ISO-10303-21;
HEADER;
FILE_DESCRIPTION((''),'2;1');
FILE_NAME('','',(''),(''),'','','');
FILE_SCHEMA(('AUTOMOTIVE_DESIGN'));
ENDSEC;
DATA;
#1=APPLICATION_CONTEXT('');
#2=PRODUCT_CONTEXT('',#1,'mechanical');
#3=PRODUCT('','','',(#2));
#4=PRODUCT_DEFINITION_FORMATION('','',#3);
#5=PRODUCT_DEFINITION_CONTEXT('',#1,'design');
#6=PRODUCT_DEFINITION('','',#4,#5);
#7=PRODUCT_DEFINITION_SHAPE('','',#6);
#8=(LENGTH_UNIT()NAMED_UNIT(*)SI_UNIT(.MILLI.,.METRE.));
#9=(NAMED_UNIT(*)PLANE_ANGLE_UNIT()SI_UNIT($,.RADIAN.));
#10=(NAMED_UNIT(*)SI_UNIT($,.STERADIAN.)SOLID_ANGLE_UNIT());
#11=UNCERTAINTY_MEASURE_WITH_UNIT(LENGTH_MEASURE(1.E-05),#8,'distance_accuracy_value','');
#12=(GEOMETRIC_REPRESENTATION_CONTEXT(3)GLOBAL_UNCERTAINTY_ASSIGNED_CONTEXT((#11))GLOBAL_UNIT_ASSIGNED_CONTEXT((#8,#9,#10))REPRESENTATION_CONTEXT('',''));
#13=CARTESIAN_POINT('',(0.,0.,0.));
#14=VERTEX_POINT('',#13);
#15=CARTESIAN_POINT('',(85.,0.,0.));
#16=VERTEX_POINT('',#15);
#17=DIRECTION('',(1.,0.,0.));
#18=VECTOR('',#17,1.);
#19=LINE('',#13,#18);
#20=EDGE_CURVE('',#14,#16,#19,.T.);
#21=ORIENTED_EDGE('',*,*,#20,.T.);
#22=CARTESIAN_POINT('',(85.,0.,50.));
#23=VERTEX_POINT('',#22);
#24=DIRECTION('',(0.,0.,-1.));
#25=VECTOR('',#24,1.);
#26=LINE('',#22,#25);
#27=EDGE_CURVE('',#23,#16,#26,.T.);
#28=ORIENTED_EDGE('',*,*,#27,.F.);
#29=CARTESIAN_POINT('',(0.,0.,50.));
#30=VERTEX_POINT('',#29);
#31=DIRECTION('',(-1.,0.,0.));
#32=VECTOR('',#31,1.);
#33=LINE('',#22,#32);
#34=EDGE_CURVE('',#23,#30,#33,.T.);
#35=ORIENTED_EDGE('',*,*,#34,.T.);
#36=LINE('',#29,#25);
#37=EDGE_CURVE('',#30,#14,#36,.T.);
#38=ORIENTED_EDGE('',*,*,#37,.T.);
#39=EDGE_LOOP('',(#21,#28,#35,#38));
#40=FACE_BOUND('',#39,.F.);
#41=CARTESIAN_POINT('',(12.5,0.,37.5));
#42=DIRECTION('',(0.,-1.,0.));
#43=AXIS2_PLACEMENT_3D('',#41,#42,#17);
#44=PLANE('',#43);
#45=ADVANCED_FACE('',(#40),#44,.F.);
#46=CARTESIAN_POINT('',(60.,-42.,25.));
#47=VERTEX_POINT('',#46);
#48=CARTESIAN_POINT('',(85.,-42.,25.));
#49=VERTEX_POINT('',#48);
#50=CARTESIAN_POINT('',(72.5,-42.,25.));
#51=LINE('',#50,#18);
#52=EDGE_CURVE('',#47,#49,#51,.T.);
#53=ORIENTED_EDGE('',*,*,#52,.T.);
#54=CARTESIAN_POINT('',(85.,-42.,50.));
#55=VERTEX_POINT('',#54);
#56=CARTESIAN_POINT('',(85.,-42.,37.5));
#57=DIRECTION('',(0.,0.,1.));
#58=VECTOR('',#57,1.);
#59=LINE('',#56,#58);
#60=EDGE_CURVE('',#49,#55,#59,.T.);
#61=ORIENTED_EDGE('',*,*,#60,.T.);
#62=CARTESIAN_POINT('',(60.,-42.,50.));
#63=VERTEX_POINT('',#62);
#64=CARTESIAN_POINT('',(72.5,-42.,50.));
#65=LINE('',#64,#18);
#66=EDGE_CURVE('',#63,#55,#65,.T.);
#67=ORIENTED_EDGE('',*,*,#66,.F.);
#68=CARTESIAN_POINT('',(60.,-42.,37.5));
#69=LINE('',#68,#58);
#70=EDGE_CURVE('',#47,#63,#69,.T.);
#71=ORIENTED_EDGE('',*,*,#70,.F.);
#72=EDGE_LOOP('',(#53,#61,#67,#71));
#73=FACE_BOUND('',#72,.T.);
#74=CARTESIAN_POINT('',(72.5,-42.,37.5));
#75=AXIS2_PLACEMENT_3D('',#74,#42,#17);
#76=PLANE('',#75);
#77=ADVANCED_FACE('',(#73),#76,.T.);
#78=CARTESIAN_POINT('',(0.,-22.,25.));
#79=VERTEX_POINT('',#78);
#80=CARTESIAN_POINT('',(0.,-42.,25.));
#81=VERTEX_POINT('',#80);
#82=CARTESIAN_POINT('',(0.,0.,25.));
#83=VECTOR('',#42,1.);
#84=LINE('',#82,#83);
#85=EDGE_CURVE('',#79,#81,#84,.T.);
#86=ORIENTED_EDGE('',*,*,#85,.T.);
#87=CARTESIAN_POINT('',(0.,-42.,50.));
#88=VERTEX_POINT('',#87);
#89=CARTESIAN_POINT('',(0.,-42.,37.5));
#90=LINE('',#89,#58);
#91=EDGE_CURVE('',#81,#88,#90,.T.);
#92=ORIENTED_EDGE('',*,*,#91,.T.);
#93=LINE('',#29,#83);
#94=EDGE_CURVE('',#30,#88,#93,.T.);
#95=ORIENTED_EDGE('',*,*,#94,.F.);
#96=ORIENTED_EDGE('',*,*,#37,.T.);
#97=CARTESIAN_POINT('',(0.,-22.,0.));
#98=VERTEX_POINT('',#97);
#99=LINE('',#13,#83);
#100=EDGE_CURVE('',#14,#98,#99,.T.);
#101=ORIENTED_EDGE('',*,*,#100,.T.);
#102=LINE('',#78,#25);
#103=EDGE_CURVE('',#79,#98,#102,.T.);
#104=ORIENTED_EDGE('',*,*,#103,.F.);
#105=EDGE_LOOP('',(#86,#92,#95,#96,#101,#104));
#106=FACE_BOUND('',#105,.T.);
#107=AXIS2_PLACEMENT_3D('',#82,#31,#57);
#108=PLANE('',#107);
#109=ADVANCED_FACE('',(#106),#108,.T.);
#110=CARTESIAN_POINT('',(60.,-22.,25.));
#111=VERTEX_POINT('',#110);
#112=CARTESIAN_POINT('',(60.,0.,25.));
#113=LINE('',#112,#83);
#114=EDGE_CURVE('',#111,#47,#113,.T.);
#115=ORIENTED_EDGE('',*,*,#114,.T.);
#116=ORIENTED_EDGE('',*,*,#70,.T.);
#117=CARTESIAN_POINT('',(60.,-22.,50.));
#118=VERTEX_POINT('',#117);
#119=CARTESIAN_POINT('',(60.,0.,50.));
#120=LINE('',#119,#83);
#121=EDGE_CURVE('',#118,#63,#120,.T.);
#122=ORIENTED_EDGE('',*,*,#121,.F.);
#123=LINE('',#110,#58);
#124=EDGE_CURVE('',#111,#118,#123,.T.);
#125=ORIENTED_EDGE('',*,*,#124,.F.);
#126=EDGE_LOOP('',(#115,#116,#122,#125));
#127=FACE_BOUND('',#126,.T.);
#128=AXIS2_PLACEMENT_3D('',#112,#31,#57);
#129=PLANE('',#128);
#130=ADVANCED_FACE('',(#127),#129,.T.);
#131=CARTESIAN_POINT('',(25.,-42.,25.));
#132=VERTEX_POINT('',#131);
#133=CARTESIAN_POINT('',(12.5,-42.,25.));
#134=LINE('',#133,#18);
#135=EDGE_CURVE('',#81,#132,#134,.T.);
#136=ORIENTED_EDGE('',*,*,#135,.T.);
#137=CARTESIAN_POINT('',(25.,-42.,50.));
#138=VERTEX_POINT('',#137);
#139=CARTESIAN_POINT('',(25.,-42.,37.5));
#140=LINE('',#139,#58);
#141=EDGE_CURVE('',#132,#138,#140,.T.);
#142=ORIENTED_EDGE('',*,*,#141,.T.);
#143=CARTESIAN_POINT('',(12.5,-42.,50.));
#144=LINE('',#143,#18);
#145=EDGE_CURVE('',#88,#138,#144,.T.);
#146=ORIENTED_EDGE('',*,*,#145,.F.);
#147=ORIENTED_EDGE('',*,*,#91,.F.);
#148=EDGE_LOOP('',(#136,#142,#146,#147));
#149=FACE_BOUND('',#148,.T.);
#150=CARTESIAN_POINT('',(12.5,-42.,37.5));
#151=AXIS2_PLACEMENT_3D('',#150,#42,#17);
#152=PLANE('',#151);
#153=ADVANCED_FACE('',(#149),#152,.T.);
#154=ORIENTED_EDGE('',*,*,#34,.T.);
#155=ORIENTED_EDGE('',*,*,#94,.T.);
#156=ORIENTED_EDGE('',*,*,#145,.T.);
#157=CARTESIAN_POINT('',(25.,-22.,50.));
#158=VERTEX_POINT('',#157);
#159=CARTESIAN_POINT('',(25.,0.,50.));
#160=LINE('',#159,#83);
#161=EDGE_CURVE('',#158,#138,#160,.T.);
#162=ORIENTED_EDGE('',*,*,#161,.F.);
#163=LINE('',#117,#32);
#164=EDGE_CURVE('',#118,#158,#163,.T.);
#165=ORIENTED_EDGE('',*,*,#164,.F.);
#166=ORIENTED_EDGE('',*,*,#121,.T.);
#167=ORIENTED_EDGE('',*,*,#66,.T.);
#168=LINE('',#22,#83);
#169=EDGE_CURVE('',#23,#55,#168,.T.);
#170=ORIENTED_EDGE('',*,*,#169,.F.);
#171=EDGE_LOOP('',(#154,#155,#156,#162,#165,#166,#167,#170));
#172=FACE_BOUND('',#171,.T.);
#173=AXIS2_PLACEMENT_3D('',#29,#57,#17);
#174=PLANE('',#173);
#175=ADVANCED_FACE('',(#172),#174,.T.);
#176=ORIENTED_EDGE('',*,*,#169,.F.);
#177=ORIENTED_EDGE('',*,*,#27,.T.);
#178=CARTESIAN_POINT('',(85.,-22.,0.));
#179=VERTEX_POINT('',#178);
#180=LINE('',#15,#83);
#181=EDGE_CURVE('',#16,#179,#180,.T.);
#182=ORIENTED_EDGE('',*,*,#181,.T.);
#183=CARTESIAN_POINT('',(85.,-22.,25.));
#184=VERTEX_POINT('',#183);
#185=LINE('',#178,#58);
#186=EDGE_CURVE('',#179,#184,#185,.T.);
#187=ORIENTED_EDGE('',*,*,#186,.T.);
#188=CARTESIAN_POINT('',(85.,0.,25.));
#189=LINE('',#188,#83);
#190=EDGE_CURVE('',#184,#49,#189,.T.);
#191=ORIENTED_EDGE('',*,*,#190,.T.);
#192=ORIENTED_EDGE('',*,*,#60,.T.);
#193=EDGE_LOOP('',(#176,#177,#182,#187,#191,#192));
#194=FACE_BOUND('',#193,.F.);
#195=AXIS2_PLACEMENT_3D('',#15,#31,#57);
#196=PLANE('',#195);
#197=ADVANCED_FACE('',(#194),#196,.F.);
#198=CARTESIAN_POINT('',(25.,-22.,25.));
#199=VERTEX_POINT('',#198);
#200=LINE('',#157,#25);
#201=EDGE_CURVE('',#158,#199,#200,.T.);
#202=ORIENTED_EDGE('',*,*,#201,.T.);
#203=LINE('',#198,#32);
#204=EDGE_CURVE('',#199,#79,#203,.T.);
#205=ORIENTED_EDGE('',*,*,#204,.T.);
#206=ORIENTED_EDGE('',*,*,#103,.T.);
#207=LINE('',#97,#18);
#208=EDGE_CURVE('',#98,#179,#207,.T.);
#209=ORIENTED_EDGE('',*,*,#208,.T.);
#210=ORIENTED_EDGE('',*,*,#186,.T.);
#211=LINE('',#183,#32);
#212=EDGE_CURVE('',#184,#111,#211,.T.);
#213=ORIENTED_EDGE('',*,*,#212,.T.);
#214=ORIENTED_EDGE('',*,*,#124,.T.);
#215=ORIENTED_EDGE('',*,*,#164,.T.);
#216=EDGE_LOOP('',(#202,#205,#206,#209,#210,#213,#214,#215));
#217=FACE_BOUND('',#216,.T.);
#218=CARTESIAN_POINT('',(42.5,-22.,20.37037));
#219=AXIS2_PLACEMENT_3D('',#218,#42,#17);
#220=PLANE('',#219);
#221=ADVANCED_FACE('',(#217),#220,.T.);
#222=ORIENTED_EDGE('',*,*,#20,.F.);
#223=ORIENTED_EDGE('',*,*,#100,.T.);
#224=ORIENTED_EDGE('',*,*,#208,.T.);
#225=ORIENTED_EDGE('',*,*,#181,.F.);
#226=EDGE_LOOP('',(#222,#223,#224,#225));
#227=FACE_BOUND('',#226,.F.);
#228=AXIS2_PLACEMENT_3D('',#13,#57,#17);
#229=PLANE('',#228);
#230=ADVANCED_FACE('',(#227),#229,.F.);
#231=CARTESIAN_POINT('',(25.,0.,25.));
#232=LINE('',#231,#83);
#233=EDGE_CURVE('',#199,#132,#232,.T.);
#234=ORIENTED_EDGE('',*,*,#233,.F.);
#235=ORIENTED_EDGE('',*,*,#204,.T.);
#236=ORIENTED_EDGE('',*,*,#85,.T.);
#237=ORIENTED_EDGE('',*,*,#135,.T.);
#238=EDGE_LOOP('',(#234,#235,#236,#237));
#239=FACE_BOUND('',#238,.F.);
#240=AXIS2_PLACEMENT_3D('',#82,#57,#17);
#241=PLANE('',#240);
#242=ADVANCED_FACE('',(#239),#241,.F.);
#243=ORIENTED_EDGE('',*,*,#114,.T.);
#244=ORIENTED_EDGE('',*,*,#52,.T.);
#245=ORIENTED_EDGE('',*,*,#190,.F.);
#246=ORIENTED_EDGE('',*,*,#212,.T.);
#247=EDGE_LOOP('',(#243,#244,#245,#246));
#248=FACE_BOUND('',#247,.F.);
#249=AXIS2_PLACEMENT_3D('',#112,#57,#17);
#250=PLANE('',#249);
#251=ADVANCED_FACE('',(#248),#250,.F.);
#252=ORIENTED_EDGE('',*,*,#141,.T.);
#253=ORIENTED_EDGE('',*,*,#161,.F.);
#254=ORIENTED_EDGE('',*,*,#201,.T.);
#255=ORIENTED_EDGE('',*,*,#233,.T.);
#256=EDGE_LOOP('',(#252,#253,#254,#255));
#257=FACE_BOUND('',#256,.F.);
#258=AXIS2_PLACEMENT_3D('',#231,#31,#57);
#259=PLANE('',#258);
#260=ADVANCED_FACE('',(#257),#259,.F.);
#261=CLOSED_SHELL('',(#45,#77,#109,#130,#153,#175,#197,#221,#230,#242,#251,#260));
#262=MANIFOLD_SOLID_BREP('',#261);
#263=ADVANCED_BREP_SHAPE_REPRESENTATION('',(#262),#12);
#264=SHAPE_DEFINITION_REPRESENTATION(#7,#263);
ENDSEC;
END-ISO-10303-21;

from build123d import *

# Parameters (mm, degrees)
F1_DEPTH = 22
F0_W     = 25
F0_H     = 25
F2_DEPTH = 42


with BuildPart() as f1:
    # F0 (on Front) → F1 (new body)
    with BuildSketch(Plane.XZ):
        Polygon((0, 25), (0, 0), (85, 0), (85, 25), (60, 25), (60, 50), (25, 50), (25, 25), align=None)
    extrude(amount=F1_DEPTH)

    # F0 (on Front) → F2 (join)
    with BuildSketch(Plane.XZ):
        with Locations((12.5, 37.5)):
            Rectangle(F0_W, F0_H)
        with Locations((72.5, 37.5)):
            Rectangle(F0_W, F0_H)
    extrude(amount=F2_DEPTH)


solid = f1.part
